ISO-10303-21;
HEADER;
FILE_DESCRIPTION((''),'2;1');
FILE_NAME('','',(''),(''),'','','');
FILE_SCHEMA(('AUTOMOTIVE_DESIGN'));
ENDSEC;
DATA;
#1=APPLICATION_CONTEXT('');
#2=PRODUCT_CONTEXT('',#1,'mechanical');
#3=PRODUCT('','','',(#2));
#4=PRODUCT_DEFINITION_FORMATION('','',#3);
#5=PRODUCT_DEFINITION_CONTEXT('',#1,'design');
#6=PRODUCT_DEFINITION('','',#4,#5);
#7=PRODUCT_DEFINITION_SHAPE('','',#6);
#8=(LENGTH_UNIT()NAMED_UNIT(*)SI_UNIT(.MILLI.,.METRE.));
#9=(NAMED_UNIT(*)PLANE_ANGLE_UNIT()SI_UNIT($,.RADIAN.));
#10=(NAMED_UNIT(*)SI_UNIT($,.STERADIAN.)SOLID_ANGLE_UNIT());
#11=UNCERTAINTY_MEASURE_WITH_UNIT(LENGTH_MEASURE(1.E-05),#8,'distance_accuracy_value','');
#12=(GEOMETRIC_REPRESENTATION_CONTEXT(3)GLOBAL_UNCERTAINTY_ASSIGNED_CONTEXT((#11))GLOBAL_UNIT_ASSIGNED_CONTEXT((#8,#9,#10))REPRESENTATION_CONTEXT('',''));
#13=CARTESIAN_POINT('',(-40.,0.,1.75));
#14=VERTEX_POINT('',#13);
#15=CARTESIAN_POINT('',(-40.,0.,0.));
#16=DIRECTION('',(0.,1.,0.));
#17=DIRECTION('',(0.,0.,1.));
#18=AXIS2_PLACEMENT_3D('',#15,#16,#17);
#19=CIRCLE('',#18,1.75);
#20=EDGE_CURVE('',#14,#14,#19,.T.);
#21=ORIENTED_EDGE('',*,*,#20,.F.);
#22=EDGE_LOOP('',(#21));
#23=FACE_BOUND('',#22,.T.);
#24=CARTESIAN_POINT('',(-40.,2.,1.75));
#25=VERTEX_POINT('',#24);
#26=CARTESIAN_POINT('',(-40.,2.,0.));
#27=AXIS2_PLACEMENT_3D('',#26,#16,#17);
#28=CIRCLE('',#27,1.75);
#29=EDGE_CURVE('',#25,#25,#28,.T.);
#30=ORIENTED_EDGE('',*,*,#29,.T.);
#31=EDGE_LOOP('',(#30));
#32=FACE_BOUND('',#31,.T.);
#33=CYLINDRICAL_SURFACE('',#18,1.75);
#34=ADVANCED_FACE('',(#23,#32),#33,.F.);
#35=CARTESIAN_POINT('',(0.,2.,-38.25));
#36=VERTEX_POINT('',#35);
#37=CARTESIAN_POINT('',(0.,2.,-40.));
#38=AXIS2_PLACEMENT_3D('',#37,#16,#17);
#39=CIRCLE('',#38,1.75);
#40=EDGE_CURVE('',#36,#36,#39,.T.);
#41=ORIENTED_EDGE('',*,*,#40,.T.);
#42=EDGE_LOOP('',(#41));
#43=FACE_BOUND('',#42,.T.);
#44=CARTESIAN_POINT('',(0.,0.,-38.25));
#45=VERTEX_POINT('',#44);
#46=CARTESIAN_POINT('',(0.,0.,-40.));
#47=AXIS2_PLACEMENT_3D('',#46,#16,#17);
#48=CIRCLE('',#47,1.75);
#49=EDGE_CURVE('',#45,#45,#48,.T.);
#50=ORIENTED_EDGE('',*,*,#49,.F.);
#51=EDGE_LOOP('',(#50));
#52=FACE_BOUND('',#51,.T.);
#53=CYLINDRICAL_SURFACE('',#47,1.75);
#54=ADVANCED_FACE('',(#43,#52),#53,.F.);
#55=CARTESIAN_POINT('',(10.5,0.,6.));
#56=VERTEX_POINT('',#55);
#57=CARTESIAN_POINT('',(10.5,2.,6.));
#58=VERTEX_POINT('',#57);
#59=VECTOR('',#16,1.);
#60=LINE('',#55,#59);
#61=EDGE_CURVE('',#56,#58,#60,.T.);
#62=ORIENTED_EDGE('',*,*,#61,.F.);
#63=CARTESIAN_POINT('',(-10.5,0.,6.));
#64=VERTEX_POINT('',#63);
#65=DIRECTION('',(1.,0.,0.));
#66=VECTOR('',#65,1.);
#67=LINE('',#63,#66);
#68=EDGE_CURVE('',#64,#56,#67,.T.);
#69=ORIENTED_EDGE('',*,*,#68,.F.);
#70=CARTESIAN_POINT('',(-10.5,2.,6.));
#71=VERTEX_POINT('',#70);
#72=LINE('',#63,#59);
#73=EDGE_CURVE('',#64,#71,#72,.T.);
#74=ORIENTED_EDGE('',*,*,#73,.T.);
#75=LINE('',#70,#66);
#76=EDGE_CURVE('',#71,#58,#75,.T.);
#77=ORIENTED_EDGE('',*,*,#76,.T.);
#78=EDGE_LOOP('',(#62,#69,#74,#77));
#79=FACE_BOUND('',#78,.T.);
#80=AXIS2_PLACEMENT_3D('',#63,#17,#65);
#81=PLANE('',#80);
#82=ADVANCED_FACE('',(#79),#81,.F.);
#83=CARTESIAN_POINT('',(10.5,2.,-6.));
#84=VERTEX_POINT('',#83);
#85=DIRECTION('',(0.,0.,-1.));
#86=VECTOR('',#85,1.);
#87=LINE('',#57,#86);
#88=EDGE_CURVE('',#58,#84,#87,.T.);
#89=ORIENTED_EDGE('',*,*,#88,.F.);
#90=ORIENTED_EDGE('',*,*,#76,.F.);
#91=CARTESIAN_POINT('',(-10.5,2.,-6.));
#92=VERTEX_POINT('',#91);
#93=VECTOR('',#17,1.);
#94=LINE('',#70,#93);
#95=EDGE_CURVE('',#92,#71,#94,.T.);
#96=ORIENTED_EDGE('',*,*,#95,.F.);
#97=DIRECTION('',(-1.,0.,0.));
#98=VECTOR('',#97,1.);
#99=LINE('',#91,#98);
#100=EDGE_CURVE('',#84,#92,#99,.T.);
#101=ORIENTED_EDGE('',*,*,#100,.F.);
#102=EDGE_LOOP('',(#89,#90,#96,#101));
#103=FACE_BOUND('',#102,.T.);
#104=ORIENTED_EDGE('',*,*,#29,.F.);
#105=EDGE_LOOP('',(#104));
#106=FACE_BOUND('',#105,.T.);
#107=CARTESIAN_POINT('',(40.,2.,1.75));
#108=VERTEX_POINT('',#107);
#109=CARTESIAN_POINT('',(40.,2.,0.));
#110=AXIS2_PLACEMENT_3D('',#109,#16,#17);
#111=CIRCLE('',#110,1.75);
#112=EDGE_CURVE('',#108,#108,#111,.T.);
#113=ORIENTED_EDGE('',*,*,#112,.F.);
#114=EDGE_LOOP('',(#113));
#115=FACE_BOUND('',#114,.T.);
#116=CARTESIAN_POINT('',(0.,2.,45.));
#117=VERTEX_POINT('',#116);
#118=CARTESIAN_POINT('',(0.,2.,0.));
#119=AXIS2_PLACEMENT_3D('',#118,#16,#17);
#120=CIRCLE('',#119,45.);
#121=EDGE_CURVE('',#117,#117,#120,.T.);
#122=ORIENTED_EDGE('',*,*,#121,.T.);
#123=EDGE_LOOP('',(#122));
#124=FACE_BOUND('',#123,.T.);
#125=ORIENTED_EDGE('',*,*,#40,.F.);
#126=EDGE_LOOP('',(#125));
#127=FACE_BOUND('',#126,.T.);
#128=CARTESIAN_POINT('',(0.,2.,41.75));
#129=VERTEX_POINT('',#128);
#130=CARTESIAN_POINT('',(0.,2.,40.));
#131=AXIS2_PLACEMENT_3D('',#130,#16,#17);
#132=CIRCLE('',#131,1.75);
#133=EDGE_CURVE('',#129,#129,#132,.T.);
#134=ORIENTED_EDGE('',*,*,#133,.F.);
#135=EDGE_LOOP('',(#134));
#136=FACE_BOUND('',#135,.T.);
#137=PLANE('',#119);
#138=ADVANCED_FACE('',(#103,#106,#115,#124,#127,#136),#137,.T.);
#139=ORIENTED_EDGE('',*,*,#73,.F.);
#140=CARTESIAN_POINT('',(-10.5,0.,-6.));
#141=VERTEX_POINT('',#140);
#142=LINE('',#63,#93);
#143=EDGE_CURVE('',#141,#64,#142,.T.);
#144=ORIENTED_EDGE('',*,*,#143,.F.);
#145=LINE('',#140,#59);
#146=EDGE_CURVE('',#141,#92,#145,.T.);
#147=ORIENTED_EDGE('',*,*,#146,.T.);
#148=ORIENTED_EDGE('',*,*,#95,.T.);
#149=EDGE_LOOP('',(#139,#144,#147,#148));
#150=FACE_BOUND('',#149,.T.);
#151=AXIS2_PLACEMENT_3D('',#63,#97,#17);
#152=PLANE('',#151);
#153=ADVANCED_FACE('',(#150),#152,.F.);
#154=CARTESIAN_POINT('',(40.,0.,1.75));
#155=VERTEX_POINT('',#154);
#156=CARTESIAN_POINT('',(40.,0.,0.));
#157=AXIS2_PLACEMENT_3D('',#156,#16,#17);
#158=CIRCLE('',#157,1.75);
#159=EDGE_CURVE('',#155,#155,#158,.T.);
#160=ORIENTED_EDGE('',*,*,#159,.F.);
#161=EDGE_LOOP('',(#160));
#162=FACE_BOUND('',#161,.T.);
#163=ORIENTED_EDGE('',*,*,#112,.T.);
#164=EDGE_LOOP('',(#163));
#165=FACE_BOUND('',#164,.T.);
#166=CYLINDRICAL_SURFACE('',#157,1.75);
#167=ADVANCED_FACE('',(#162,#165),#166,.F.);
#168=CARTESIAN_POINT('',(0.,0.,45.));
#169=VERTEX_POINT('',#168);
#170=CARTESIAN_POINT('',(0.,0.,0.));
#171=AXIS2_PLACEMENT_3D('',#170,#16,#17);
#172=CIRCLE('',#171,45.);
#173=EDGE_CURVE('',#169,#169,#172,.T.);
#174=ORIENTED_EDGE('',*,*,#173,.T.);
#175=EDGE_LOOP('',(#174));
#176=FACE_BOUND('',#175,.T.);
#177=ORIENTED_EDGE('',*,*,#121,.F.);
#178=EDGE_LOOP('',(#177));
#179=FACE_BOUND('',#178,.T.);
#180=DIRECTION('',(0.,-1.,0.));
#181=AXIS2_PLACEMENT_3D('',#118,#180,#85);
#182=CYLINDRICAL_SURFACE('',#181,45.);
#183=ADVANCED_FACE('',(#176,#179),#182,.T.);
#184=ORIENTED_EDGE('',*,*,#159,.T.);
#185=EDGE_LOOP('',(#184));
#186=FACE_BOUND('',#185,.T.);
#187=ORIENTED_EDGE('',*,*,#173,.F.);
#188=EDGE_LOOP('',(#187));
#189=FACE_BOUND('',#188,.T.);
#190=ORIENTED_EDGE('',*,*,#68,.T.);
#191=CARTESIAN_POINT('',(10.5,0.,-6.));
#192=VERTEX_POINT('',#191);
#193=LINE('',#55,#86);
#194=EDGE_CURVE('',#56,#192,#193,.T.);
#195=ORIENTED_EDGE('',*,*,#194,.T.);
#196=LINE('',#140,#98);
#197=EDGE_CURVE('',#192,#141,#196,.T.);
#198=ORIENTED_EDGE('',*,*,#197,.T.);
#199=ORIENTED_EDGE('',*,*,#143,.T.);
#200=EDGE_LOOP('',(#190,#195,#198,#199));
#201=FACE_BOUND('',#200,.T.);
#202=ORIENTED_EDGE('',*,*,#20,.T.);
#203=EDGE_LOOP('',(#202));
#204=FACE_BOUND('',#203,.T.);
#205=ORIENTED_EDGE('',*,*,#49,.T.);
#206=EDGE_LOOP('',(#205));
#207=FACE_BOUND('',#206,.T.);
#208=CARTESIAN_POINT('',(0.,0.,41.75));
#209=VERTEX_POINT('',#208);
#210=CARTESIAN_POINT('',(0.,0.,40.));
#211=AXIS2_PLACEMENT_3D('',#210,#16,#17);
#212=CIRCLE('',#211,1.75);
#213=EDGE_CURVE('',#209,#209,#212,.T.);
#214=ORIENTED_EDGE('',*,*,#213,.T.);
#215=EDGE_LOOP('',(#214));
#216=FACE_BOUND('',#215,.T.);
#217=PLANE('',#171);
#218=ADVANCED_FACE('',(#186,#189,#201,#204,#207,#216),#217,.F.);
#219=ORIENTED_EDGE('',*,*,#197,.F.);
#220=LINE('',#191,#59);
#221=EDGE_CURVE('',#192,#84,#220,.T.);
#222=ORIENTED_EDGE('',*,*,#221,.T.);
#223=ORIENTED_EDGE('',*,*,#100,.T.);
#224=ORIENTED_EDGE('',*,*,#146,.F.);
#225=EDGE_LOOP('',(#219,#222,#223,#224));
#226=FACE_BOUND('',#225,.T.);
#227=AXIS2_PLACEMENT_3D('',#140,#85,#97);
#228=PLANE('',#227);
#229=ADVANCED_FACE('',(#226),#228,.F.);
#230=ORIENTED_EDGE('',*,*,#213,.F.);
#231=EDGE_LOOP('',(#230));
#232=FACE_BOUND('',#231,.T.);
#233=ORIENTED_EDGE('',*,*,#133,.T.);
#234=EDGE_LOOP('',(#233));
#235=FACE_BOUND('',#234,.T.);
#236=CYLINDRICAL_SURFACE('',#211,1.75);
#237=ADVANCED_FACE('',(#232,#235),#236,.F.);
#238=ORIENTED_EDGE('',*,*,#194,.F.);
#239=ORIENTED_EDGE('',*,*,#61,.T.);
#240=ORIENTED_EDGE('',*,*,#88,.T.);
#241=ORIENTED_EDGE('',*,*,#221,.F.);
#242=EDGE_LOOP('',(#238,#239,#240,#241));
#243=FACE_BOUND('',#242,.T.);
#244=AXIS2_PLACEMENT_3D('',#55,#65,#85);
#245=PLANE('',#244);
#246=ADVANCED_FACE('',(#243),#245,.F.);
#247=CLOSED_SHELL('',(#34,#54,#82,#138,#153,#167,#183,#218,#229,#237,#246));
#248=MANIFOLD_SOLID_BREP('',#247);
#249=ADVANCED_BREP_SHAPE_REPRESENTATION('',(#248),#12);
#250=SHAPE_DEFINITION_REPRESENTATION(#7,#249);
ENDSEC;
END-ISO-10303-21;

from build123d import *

# Parameters (mm, degrees)
SKETCH1_R           = 45
BOSS_EXTRUDE1_DEPTH = 2
SKETCH3_R           = 1.75
CUT_EXTRUDE1_DEPTH  = 64.671029519
SKETCH4_W           = 21
SKETCH4_H           = 12
CUT_EXTRUDE2_DEPTH  = 64.671029519


with BuildPart() as part:
    # Sketch1 → Boss-Extrude1 (new body)
    with BuildSketch(Plane(origin=(0, 0, 0), x_dir=(1, 0, 0), z_dir=(0, 1, 0))):
        with Locations(Location((0, 0, 0), (0, 0, 270))):
            Circle(SKETCH1_R)
    extrude(amount=BOSS_EXTRUDE1_DEPTH)

    # Sketch3 → Cut-Extrude1 (cut, through all)
    with BuildSketch(Plane(origin=(0, 2, 0), x_dir=(1, 0, 0), z_dir=(0, 1, 0))):
        with Locations(Location((0, 40, 0), (0, 0, 270))):
            Circle(SKETCH3_R)
        with Locations(Location((40, 0, 0), (0, 0, 270))):
            Circle(SKETCH3_R)
        with Locations(Location((0, -40, 0), (0, 0, 270))):
            Circle(SKETCH3_R)
        with Locations(Location((-40, 0, 0), (0, 0, 270))):
            Circle(SKETCH3_R)
    extrude(amount=-CUT_EXTRUDE1_DEPTH, mode=Mode.SUBTRACT)

    # Sketch4 → Cut-Extrude2 (cut, through all)
    with BuildSketch(Plane(origin=(0, 2, 0), x_dir=(1, 0, 0), z_dir=(0, 1, 0))):
        Rectangle(SKETCH4_W, SKETCH4_H)
    extrude(amount=-CUT_EXTRUDE2_DEPTH, mode=Mode.SUBTRACT)


solid = part.part
